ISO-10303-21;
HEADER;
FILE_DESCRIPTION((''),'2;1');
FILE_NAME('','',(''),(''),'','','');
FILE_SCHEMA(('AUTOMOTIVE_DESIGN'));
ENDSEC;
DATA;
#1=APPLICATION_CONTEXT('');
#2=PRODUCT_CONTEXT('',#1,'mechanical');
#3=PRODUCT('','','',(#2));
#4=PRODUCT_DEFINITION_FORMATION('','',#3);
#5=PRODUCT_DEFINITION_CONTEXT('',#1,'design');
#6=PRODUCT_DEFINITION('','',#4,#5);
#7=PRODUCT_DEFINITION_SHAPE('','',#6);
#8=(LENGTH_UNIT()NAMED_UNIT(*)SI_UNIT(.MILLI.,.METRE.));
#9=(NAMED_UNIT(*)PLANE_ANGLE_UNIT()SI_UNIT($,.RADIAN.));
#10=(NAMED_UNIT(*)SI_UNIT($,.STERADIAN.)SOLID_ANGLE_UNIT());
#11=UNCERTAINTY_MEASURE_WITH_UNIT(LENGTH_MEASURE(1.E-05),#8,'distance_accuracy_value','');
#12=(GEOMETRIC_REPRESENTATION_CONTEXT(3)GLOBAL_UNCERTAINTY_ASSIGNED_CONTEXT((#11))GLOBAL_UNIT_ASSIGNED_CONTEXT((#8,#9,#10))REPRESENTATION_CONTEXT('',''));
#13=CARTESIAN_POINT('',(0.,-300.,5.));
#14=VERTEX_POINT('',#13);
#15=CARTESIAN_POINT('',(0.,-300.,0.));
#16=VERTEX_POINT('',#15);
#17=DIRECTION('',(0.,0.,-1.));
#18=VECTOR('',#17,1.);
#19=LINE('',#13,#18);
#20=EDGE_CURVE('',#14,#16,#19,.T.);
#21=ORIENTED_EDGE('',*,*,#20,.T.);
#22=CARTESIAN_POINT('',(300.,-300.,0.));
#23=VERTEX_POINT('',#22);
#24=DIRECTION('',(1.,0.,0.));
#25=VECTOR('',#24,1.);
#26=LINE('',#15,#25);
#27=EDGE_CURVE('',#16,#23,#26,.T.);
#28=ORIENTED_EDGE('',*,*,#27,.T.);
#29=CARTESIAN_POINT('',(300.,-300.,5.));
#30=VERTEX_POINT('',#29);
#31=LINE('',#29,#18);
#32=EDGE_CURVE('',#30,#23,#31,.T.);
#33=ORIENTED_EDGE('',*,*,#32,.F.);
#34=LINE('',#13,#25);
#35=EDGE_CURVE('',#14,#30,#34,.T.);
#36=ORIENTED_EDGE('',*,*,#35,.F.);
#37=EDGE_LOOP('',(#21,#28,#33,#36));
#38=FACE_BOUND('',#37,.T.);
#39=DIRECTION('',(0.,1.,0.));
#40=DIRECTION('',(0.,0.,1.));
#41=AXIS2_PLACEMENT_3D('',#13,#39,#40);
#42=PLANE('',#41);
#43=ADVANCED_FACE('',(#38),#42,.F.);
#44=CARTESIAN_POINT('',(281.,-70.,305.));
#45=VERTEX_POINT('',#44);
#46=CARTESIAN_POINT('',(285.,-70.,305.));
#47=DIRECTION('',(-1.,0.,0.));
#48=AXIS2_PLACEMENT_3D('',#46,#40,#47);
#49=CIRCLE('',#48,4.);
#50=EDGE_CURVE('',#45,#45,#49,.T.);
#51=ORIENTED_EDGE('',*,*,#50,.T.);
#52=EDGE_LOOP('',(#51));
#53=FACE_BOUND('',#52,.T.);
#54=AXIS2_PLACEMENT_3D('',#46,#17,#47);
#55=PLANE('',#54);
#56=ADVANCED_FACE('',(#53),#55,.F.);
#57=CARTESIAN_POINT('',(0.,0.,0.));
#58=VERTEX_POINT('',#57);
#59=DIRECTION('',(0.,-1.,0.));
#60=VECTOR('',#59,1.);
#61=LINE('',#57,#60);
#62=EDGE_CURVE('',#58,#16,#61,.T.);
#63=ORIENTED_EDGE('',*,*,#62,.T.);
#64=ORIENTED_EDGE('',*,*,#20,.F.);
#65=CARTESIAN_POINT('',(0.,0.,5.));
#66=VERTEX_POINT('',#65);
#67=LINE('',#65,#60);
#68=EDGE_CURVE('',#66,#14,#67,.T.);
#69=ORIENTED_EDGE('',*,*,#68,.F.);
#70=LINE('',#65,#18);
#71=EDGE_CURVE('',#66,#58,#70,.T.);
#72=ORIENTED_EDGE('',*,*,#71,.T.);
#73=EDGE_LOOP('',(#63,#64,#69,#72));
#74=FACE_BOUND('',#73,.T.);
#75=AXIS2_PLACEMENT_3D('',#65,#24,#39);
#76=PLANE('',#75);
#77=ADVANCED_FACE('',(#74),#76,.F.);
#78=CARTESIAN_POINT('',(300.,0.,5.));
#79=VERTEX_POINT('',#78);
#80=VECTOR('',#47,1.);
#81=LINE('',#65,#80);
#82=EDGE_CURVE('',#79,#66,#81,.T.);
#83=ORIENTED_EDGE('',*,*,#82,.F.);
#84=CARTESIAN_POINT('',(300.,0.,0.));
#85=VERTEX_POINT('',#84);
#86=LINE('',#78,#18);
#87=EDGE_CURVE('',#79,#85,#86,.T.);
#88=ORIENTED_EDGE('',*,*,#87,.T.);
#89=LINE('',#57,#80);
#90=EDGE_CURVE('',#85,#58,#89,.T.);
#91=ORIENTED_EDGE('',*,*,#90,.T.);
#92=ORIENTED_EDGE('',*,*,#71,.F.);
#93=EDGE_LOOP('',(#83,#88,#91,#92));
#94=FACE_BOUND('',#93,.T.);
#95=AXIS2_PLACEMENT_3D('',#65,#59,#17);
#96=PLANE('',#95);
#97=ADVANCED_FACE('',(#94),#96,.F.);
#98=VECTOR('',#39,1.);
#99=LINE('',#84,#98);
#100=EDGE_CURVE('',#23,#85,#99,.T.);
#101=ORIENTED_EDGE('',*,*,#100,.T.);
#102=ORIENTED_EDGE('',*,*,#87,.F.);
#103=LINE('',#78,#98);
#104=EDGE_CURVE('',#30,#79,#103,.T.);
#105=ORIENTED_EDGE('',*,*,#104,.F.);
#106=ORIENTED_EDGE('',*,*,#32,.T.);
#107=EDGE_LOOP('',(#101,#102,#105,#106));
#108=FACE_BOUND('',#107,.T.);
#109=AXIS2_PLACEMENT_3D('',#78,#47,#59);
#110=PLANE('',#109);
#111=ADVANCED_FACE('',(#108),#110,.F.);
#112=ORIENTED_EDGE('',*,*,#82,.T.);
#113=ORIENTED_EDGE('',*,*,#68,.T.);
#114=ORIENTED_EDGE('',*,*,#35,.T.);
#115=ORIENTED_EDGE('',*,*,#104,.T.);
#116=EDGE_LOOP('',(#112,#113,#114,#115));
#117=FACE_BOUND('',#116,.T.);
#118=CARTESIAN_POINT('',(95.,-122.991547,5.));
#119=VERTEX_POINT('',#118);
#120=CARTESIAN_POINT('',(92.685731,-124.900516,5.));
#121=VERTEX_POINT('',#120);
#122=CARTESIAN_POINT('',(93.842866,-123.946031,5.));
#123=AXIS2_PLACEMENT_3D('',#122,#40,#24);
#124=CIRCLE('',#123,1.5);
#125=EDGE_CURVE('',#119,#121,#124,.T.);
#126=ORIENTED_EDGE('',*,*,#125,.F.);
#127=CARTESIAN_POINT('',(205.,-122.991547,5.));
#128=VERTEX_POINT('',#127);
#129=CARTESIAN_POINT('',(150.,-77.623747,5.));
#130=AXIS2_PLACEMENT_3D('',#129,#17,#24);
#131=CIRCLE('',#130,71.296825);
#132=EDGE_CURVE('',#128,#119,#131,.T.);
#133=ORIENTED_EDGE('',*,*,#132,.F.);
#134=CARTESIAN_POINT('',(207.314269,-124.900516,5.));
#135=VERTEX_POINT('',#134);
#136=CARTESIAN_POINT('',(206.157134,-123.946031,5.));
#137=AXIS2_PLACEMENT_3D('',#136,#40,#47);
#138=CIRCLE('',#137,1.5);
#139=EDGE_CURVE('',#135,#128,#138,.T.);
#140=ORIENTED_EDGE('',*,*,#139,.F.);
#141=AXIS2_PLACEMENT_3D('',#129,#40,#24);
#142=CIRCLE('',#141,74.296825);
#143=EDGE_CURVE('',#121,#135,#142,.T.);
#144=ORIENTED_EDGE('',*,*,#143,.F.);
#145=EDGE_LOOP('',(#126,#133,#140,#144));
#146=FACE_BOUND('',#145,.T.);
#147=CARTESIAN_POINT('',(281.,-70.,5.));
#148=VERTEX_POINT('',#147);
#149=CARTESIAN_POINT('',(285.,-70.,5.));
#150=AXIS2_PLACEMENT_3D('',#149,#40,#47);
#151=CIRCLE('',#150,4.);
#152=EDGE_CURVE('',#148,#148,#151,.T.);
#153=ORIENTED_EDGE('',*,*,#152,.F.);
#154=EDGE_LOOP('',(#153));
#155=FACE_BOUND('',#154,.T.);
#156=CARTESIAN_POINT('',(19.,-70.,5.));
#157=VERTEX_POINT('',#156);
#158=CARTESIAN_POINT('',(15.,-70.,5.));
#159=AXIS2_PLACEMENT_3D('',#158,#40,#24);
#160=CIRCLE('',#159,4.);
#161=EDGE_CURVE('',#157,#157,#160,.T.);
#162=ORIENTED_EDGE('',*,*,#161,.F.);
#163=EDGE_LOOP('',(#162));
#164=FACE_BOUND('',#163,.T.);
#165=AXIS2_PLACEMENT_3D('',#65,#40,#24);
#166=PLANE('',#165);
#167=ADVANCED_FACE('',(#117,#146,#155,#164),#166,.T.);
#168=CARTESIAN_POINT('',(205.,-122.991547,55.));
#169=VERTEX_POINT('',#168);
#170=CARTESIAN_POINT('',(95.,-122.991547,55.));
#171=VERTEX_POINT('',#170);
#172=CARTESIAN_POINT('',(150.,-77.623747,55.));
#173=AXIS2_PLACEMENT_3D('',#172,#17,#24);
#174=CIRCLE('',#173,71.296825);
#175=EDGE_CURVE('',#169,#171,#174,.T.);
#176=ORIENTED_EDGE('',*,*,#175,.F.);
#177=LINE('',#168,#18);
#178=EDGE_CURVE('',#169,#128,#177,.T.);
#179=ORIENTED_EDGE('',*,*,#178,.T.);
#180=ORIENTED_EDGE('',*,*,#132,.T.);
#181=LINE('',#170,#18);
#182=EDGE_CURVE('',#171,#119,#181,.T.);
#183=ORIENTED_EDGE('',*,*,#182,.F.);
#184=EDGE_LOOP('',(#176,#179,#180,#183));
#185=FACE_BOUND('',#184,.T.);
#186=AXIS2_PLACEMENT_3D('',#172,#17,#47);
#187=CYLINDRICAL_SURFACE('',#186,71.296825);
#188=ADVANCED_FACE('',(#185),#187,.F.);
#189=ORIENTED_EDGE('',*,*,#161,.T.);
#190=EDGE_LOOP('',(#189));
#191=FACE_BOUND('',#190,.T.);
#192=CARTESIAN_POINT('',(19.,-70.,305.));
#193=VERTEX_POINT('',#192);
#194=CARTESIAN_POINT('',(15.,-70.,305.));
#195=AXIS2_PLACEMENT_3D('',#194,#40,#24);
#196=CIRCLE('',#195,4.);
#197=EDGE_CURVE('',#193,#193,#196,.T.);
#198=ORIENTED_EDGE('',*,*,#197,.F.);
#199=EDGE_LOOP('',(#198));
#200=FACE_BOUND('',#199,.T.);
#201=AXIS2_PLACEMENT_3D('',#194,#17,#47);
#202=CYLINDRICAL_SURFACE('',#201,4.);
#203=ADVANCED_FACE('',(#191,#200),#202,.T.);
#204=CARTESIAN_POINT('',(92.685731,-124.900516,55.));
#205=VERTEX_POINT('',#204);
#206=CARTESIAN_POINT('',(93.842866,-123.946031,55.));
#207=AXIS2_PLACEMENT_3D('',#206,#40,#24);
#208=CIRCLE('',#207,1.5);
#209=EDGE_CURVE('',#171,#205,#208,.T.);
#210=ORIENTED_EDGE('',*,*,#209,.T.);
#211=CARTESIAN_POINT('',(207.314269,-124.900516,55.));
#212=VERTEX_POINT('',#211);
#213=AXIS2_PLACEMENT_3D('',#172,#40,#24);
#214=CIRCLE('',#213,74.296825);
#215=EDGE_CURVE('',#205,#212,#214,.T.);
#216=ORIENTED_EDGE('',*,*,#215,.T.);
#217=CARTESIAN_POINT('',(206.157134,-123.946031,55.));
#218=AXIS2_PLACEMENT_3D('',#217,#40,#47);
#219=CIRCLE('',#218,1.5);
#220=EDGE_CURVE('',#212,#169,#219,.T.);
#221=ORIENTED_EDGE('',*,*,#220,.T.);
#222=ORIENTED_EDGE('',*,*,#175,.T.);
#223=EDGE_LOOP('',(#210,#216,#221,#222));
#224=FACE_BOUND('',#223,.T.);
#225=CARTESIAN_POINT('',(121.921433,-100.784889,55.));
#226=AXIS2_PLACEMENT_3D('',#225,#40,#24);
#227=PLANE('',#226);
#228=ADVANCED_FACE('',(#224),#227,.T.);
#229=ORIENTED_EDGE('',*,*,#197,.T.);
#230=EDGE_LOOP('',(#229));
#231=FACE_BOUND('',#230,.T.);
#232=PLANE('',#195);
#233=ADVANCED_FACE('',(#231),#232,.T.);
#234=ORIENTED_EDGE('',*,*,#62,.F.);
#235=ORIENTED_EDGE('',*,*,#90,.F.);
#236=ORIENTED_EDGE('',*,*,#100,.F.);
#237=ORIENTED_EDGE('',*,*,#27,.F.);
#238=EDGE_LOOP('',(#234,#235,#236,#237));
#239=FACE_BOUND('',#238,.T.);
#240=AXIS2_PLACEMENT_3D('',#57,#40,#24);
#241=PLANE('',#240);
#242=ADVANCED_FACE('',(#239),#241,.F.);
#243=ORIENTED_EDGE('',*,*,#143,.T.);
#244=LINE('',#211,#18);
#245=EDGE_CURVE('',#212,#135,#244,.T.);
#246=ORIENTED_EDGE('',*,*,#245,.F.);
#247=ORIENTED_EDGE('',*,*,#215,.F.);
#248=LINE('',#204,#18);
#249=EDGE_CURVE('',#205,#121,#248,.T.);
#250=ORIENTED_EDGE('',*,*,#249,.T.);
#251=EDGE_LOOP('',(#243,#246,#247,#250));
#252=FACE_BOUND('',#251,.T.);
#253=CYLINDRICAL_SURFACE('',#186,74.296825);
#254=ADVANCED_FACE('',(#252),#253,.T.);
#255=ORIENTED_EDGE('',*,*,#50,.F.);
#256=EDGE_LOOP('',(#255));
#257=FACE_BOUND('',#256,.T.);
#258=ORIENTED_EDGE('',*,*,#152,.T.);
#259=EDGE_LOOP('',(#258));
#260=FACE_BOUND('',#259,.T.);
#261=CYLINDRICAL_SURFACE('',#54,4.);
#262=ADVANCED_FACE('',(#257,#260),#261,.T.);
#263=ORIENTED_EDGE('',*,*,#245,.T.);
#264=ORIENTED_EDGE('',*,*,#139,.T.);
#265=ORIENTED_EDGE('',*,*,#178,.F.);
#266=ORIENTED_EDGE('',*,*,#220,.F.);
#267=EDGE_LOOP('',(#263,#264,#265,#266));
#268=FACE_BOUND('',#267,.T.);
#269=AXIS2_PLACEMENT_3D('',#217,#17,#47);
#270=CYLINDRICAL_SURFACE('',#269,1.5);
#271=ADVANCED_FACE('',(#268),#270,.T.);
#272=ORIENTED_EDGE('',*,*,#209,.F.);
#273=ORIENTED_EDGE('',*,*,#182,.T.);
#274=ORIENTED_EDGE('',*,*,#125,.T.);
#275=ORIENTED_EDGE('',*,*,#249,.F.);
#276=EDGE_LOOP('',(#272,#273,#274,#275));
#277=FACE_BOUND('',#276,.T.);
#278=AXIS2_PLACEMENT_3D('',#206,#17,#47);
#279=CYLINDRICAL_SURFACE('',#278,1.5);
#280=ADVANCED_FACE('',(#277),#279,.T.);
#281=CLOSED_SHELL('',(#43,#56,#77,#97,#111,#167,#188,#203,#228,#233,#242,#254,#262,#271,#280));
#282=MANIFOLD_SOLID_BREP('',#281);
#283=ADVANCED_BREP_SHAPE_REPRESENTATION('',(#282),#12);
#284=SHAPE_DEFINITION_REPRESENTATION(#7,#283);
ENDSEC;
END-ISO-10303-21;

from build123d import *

# Parameters (mm, degrees)
ESQUISSE1_W        = 300
ESQUISSE1_H        = 300
BOSS_EXTRU_1_DEPTH = 5
ESQUISSE2_R        = 4
BOSS_EXTRU_2_DEPTH = 300
BOSS_EXTRU_4_DEPTH = 50


with BuildPart() as part:
    # Esquisse1 → Boss.-Extru.1 (new body)
    with BuildSketch(Plane.XY):
        with Locations((150, -150)):
            Rectangle(ESQUISSE1_W, ESQUISSE1_H)
    extrude(amount=BOSS_EXTRU_1_DEPTH)

    # Esquisse2 → Boss.-Extru.2 (add)
    with BuildSketch(Plane.XY.offset(5)):
        with Locations((15, -70)):
            Circle(ESQUISSE2_R)
        with Locations((285, -70)):
            Circle(ESQUISSE2_R)
    extrude(amount=BOSS_EXTRU_2_DEPTH)

    # Esquisse5 → Boss.-Extru.4 (add)
    with BuildSketch(Plane.XY.offset(5)):
        with BuildLine():
            ThreePointArc((95, -122.991547009), (150, -148.920572223), (205, -122.991547009))
            ThreePointArc((205, -122.991547009), (207.11161857, -122.788897028), (207.314268551, -124.900515598))
            ThreePointArc((207.314268551, -124.900515598), (150, -151.920572223), (92.685731449, -124.900515598))
            ThreePointArc((92.685731449, -124.900515598), (92.88838143, -122.788897028), (95, -122.991547009))
        make_face()
    extrude(amount=BOSS_EXTRU_4_DEPTH)


solid = part.part
